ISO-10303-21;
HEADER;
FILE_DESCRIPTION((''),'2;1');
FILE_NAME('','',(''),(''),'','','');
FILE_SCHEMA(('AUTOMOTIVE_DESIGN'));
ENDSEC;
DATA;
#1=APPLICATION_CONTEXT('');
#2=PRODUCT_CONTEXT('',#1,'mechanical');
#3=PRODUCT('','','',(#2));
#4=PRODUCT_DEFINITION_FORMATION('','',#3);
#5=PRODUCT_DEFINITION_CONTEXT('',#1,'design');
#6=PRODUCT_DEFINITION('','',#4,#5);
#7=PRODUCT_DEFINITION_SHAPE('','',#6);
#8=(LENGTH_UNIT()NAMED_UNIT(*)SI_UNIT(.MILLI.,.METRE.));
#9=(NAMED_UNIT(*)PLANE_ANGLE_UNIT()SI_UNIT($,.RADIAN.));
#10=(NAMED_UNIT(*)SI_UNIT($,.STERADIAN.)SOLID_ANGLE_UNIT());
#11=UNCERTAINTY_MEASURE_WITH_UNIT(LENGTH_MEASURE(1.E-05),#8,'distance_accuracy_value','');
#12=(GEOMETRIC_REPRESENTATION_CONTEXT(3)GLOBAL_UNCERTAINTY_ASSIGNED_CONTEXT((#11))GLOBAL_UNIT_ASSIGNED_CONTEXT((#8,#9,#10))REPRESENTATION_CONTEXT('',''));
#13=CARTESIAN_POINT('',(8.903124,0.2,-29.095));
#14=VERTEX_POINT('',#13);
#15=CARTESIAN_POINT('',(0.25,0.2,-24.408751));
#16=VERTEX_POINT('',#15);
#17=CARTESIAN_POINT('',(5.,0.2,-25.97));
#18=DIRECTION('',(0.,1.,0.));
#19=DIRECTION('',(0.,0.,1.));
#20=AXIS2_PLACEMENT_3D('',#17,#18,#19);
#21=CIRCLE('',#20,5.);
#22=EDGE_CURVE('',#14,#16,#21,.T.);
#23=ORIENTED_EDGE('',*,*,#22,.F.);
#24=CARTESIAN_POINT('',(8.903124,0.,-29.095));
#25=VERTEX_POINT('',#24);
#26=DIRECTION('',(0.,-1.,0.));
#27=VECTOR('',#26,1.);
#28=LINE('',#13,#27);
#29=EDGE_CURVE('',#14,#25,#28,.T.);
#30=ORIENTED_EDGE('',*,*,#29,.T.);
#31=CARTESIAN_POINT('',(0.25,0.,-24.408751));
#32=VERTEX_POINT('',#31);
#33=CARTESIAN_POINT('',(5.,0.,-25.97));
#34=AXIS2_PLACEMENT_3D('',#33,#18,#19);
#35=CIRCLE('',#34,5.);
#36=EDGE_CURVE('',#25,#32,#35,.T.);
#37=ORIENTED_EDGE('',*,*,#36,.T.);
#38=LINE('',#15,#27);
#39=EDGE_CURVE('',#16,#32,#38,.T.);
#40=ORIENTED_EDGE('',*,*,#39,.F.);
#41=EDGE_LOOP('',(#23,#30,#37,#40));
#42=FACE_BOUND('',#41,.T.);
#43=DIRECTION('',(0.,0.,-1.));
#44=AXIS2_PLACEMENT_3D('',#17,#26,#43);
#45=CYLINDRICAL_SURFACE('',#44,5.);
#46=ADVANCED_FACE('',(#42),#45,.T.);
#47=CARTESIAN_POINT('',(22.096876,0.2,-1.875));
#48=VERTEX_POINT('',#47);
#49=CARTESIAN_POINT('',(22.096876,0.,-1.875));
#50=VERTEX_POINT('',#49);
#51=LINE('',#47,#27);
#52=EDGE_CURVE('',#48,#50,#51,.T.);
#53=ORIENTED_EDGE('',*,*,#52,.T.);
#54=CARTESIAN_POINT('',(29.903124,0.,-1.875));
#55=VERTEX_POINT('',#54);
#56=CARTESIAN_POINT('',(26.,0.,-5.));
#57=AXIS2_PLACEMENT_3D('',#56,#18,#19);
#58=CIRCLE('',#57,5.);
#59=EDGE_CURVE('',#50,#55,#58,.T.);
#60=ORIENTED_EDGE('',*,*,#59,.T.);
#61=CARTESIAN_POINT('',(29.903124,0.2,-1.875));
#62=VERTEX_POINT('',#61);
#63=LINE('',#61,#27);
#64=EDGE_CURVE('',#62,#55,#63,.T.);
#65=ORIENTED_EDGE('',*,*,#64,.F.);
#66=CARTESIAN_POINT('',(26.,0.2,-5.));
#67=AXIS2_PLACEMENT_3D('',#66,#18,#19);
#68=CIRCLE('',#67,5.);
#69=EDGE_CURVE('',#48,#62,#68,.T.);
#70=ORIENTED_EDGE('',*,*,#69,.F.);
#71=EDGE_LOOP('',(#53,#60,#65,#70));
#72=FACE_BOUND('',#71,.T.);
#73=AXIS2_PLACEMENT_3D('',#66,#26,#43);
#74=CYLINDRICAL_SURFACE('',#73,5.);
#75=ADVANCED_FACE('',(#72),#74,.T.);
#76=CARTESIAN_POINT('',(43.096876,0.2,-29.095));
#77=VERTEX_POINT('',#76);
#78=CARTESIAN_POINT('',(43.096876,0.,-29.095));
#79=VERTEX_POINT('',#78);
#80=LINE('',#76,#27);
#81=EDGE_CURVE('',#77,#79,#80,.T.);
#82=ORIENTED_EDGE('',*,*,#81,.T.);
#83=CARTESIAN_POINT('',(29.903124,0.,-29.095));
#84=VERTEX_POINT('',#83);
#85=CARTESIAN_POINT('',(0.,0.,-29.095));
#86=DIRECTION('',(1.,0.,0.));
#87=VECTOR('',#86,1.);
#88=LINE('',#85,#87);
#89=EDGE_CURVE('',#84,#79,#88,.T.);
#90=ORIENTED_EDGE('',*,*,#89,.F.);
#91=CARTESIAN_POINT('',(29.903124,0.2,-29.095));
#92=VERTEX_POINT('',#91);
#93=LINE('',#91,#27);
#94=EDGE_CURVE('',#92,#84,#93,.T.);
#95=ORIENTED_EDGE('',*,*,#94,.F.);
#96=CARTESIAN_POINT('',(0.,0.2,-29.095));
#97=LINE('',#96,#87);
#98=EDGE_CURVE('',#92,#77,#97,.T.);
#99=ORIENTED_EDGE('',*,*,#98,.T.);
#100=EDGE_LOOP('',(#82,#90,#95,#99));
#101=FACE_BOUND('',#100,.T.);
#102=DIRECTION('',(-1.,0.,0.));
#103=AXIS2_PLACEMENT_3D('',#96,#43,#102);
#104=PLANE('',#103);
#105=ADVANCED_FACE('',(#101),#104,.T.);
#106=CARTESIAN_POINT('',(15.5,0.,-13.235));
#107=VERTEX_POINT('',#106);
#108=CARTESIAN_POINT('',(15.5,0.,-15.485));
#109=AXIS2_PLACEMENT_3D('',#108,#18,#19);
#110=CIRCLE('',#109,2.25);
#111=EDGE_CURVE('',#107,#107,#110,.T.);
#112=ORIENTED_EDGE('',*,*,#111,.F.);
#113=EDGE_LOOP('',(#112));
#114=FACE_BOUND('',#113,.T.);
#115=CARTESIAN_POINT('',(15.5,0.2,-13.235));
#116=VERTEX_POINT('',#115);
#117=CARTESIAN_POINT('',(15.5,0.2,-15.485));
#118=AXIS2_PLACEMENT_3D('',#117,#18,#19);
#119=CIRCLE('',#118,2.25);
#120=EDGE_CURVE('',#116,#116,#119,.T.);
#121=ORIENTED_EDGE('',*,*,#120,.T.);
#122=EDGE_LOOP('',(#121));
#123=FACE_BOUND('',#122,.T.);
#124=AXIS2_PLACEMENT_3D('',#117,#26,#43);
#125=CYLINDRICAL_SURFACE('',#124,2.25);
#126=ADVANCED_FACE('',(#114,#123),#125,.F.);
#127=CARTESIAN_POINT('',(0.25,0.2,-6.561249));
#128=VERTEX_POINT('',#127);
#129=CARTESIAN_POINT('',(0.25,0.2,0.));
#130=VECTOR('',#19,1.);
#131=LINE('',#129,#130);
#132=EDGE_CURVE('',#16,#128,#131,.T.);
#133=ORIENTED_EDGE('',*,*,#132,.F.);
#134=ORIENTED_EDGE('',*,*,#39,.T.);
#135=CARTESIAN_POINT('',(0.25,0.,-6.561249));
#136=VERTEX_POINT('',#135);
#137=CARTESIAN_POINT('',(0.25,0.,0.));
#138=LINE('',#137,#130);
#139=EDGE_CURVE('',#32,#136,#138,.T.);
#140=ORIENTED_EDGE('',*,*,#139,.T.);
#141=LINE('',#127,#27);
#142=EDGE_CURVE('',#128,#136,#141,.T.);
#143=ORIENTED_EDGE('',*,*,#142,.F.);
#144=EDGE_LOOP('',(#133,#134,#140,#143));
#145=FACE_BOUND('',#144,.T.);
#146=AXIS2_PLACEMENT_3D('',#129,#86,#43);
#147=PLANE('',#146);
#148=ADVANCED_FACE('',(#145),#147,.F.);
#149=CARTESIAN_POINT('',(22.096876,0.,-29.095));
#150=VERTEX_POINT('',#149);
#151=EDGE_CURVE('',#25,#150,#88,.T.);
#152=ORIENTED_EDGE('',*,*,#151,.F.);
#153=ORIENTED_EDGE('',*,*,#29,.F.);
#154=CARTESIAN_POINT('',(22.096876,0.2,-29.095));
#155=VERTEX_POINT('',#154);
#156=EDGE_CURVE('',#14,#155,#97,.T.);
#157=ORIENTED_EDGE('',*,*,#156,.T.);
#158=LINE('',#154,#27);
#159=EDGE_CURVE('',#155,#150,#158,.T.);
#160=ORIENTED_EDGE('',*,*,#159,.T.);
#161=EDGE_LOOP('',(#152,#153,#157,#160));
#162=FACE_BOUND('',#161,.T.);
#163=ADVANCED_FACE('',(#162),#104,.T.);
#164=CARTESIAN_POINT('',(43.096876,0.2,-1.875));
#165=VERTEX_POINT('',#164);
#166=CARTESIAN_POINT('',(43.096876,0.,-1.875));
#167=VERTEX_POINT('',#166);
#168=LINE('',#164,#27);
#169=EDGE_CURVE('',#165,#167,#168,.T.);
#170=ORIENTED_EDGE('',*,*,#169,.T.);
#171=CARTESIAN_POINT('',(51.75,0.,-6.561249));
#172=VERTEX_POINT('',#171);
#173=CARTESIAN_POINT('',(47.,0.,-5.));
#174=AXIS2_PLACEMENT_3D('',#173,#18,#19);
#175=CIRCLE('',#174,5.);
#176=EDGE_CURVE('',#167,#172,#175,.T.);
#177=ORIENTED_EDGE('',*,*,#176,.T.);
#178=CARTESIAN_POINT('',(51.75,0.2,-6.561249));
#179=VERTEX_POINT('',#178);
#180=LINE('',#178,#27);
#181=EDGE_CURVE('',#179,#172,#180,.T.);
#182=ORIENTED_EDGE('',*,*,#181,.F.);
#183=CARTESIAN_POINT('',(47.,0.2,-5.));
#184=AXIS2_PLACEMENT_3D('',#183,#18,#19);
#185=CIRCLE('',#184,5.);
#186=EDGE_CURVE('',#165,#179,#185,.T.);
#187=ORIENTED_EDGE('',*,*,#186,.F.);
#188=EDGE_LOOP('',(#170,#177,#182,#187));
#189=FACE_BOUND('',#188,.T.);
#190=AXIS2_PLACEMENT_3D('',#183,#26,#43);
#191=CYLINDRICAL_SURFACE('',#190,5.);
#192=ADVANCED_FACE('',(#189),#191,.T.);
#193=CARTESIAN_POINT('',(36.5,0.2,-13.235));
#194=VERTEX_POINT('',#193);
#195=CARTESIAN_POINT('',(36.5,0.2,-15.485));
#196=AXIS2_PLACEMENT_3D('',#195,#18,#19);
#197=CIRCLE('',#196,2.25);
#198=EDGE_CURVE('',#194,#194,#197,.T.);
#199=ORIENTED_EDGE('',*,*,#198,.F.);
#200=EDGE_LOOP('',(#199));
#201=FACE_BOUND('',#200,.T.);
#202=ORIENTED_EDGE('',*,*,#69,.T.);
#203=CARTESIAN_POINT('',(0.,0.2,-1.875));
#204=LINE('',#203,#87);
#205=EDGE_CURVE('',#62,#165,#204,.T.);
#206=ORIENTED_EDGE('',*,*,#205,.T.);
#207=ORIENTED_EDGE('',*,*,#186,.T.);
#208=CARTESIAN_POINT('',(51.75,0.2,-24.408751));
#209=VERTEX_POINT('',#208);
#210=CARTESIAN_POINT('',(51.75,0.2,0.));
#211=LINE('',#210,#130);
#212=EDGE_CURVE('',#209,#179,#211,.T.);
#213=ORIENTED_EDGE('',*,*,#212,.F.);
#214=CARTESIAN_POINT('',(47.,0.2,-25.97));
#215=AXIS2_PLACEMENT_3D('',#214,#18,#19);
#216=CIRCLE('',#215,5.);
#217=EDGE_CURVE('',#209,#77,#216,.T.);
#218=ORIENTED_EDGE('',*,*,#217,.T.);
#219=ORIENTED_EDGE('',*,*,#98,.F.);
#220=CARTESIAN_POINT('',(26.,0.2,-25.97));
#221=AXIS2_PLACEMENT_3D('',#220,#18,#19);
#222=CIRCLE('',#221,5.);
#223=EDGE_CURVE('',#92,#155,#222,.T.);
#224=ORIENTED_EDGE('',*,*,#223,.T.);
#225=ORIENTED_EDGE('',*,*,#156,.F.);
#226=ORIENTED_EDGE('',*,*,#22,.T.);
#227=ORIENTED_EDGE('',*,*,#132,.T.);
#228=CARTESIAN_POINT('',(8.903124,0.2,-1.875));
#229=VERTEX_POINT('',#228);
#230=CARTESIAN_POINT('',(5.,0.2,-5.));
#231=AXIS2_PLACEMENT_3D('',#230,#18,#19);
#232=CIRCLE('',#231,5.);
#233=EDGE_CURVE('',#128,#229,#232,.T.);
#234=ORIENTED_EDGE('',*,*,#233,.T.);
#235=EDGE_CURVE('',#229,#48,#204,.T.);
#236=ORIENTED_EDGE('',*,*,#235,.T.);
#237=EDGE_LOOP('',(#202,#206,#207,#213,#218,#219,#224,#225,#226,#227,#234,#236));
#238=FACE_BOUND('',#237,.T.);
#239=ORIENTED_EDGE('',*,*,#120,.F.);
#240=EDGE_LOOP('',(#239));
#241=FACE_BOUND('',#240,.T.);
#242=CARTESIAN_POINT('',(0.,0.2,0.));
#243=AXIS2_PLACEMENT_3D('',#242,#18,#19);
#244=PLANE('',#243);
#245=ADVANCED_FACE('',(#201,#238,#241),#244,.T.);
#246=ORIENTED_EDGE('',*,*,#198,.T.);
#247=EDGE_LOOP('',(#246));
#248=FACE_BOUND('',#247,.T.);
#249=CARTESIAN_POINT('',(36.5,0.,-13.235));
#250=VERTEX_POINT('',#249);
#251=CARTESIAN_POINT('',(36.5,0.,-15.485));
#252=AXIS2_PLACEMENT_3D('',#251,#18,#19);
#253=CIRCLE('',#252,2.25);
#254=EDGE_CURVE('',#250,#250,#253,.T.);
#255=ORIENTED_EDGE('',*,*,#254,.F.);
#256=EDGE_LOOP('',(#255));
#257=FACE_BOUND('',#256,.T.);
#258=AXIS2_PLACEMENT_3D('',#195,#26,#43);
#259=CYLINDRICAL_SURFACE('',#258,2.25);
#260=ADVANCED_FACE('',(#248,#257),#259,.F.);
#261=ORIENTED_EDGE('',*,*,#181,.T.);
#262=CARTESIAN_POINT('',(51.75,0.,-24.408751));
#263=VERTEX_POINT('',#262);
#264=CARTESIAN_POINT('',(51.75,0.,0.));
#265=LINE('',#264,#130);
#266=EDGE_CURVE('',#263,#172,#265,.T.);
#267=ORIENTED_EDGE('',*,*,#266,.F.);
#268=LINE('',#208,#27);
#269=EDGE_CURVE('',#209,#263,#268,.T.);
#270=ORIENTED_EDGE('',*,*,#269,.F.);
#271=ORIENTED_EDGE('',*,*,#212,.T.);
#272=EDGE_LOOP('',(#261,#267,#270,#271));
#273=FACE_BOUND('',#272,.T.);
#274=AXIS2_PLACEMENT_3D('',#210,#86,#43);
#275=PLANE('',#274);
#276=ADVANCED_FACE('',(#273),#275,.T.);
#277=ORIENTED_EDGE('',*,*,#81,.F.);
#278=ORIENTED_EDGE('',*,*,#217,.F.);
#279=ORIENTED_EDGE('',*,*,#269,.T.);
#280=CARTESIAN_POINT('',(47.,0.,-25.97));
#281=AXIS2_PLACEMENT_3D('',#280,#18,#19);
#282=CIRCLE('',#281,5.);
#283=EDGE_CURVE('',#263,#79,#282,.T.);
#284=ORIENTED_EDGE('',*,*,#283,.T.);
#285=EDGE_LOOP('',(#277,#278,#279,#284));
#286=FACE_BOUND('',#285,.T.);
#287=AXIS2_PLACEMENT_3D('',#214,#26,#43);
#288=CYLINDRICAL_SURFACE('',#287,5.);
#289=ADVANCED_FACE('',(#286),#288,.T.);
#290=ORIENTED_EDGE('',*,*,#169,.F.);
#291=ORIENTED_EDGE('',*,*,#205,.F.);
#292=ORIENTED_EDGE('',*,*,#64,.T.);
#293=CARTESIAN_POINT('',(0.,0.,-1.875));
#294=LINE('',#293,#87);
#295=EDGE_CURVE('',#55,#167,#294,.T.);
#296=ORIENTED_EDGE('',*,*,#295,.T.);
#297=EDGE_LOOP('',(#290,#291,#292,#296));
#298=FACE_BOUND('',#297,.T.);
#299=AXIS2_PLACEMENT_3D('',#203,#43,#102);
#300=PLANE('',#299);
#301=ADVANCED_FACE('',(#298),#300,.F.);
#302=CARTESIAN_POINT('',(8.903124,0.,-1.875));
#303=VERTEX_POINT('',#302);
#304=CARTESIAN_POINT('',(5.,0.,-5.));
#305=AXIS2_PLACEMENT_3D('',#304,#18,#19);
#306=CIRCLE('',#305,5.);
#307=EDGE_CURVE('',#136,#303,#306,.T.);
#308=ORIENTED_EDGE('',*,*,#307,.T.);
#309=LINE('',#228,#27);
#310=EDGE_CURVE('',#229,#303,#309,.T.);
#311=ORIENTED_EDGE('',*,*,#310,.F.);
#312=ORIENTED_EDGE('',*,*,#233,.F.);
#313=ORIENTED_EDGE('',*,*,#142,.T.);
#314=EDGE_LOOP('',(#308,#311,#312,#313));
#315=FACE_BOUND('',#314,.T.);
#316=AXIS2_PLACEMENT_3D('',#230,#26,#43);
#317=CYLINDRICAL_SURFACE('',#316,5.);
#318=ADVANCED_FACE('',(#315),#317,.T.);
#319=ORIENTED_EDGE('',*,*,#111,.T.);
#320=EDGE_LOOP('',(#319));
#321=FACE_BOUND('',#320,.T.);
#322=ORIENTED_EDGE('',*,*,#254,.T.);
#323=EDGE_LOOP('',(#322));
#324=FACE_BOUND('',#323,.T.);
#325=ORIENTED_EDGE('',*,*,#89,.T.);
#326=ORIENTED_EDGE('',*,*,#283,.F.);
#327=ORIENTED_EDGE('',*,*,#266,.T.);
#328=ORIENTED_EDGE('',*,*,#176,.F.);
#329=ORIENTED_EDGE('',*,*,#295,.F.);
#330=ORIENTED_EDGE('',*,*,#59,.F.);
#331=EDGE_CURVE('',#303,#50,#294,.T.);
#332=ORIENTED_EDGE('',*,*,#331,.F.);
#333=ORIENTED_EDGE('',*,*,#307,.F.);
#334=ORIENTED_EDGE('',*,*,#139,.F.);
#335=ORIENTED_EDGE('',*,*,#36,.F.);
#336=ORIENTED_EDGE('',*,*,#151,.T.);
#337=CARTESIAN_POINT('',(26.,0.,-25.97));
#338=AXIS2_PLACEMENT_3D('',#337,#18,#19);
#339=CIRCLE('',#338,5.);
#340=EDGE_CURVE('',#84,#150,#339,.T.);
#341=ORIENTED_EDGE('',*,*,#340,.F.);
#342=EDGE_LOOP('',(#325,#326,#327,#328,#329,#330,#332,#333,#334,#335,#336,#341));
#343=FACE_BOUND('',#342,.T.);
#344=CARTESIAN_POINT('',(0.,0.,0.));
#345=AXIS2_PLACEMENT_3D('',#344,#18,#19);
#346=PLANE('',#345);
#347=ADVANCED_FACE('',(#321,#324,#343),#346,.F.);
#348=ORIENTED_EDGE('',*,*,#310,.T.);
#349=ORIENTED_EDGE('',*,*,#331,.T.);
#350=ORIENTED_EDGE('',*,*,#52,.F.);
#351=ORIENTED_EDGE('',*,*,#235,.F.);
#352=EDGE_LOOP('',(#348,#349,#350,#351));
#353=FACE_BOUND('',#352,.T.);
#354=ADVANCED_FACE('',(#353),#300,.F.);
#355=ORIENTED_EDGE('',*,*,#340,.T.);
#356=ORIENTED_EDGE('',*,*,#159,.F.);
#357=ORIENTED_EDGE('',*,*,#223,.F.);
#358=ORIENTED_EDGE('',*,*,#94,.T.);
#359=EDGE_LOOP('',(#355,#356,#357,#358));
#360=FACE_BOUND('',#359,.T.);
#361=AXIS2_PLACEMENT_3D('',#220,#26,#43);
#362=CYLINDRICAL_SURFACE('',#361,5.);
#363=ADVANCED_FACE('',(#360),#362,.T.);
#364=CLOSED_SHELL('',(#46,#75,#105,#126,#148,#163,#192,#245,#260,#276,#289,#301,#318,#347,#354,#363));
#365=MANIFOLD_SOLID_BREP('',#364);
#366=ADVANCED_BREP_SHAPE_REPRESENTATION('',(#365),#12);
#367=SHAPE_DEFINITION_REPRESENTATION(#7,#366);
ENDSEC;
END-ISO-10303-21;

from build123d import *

# Parameters (mm, degrees)
SKETCH1_R           = 2.25
BOSS_EXTRUDE1_DEPTH = 0.2


with BuildPart() as part:
    # Sketch1 → Boss-Extrude1 (new body)
    with BuildSketch(Plane(origin=(0, 0, 0), x_dir=(1, 0, 0), z_dir=(0, 1, 0))):
        with BuildLine():
            Line((0.25, 24.4087505), (0.25, 6.5612495))
            ThreePointArc((0.25, 6.5612495), (2.618921791, 0.603357354), (8.903123749, 1.875))
            Line((8.903123749, 1.875), (22.096876251, 1.875))
            ThreePointArc((22.096876251, 1.875), (26, 0), (29.903123749, 1.875))
            Line((29.903123749, 1.875), (43.096876251, 1.875))
            ThreePointArc((43.096876251, 1.875), (49.381078209, 0.603357354), (51.75, 6.5612495))
            Line((51.75, 6.5612495), (51.75, 24.4087505))
            ThreePointArc((51.75, 24.4087505), (49.381078209, 30.366642646), (43.096876251, 29.095))
            Line((43.096876251, 29.095), (29.903123749, 29.095))
            ThreePointArc((29.903123749, 29.095), (26, 30.97), (22.096876251, 29.095))
            Line((22.096876251, 29.095), (8.903123749, 29.095))
            ThreePointArc((8.903123749, 29.095), (2.618921791, 30.366642646), (0.25, 24.4087505))
        make_face()
        with Locations((15.5, 15.485)):
            Circle(SKETCH1_R, mode=Mode.SUBTRACT)
        with Locations((36.5, 15.485)):
            Circle(SKETCH1_R, mode=Mode.SUBTRACT)
    extrude(amount=BOSS_EXTRUDE1_DEPTH)


solid = part.part
